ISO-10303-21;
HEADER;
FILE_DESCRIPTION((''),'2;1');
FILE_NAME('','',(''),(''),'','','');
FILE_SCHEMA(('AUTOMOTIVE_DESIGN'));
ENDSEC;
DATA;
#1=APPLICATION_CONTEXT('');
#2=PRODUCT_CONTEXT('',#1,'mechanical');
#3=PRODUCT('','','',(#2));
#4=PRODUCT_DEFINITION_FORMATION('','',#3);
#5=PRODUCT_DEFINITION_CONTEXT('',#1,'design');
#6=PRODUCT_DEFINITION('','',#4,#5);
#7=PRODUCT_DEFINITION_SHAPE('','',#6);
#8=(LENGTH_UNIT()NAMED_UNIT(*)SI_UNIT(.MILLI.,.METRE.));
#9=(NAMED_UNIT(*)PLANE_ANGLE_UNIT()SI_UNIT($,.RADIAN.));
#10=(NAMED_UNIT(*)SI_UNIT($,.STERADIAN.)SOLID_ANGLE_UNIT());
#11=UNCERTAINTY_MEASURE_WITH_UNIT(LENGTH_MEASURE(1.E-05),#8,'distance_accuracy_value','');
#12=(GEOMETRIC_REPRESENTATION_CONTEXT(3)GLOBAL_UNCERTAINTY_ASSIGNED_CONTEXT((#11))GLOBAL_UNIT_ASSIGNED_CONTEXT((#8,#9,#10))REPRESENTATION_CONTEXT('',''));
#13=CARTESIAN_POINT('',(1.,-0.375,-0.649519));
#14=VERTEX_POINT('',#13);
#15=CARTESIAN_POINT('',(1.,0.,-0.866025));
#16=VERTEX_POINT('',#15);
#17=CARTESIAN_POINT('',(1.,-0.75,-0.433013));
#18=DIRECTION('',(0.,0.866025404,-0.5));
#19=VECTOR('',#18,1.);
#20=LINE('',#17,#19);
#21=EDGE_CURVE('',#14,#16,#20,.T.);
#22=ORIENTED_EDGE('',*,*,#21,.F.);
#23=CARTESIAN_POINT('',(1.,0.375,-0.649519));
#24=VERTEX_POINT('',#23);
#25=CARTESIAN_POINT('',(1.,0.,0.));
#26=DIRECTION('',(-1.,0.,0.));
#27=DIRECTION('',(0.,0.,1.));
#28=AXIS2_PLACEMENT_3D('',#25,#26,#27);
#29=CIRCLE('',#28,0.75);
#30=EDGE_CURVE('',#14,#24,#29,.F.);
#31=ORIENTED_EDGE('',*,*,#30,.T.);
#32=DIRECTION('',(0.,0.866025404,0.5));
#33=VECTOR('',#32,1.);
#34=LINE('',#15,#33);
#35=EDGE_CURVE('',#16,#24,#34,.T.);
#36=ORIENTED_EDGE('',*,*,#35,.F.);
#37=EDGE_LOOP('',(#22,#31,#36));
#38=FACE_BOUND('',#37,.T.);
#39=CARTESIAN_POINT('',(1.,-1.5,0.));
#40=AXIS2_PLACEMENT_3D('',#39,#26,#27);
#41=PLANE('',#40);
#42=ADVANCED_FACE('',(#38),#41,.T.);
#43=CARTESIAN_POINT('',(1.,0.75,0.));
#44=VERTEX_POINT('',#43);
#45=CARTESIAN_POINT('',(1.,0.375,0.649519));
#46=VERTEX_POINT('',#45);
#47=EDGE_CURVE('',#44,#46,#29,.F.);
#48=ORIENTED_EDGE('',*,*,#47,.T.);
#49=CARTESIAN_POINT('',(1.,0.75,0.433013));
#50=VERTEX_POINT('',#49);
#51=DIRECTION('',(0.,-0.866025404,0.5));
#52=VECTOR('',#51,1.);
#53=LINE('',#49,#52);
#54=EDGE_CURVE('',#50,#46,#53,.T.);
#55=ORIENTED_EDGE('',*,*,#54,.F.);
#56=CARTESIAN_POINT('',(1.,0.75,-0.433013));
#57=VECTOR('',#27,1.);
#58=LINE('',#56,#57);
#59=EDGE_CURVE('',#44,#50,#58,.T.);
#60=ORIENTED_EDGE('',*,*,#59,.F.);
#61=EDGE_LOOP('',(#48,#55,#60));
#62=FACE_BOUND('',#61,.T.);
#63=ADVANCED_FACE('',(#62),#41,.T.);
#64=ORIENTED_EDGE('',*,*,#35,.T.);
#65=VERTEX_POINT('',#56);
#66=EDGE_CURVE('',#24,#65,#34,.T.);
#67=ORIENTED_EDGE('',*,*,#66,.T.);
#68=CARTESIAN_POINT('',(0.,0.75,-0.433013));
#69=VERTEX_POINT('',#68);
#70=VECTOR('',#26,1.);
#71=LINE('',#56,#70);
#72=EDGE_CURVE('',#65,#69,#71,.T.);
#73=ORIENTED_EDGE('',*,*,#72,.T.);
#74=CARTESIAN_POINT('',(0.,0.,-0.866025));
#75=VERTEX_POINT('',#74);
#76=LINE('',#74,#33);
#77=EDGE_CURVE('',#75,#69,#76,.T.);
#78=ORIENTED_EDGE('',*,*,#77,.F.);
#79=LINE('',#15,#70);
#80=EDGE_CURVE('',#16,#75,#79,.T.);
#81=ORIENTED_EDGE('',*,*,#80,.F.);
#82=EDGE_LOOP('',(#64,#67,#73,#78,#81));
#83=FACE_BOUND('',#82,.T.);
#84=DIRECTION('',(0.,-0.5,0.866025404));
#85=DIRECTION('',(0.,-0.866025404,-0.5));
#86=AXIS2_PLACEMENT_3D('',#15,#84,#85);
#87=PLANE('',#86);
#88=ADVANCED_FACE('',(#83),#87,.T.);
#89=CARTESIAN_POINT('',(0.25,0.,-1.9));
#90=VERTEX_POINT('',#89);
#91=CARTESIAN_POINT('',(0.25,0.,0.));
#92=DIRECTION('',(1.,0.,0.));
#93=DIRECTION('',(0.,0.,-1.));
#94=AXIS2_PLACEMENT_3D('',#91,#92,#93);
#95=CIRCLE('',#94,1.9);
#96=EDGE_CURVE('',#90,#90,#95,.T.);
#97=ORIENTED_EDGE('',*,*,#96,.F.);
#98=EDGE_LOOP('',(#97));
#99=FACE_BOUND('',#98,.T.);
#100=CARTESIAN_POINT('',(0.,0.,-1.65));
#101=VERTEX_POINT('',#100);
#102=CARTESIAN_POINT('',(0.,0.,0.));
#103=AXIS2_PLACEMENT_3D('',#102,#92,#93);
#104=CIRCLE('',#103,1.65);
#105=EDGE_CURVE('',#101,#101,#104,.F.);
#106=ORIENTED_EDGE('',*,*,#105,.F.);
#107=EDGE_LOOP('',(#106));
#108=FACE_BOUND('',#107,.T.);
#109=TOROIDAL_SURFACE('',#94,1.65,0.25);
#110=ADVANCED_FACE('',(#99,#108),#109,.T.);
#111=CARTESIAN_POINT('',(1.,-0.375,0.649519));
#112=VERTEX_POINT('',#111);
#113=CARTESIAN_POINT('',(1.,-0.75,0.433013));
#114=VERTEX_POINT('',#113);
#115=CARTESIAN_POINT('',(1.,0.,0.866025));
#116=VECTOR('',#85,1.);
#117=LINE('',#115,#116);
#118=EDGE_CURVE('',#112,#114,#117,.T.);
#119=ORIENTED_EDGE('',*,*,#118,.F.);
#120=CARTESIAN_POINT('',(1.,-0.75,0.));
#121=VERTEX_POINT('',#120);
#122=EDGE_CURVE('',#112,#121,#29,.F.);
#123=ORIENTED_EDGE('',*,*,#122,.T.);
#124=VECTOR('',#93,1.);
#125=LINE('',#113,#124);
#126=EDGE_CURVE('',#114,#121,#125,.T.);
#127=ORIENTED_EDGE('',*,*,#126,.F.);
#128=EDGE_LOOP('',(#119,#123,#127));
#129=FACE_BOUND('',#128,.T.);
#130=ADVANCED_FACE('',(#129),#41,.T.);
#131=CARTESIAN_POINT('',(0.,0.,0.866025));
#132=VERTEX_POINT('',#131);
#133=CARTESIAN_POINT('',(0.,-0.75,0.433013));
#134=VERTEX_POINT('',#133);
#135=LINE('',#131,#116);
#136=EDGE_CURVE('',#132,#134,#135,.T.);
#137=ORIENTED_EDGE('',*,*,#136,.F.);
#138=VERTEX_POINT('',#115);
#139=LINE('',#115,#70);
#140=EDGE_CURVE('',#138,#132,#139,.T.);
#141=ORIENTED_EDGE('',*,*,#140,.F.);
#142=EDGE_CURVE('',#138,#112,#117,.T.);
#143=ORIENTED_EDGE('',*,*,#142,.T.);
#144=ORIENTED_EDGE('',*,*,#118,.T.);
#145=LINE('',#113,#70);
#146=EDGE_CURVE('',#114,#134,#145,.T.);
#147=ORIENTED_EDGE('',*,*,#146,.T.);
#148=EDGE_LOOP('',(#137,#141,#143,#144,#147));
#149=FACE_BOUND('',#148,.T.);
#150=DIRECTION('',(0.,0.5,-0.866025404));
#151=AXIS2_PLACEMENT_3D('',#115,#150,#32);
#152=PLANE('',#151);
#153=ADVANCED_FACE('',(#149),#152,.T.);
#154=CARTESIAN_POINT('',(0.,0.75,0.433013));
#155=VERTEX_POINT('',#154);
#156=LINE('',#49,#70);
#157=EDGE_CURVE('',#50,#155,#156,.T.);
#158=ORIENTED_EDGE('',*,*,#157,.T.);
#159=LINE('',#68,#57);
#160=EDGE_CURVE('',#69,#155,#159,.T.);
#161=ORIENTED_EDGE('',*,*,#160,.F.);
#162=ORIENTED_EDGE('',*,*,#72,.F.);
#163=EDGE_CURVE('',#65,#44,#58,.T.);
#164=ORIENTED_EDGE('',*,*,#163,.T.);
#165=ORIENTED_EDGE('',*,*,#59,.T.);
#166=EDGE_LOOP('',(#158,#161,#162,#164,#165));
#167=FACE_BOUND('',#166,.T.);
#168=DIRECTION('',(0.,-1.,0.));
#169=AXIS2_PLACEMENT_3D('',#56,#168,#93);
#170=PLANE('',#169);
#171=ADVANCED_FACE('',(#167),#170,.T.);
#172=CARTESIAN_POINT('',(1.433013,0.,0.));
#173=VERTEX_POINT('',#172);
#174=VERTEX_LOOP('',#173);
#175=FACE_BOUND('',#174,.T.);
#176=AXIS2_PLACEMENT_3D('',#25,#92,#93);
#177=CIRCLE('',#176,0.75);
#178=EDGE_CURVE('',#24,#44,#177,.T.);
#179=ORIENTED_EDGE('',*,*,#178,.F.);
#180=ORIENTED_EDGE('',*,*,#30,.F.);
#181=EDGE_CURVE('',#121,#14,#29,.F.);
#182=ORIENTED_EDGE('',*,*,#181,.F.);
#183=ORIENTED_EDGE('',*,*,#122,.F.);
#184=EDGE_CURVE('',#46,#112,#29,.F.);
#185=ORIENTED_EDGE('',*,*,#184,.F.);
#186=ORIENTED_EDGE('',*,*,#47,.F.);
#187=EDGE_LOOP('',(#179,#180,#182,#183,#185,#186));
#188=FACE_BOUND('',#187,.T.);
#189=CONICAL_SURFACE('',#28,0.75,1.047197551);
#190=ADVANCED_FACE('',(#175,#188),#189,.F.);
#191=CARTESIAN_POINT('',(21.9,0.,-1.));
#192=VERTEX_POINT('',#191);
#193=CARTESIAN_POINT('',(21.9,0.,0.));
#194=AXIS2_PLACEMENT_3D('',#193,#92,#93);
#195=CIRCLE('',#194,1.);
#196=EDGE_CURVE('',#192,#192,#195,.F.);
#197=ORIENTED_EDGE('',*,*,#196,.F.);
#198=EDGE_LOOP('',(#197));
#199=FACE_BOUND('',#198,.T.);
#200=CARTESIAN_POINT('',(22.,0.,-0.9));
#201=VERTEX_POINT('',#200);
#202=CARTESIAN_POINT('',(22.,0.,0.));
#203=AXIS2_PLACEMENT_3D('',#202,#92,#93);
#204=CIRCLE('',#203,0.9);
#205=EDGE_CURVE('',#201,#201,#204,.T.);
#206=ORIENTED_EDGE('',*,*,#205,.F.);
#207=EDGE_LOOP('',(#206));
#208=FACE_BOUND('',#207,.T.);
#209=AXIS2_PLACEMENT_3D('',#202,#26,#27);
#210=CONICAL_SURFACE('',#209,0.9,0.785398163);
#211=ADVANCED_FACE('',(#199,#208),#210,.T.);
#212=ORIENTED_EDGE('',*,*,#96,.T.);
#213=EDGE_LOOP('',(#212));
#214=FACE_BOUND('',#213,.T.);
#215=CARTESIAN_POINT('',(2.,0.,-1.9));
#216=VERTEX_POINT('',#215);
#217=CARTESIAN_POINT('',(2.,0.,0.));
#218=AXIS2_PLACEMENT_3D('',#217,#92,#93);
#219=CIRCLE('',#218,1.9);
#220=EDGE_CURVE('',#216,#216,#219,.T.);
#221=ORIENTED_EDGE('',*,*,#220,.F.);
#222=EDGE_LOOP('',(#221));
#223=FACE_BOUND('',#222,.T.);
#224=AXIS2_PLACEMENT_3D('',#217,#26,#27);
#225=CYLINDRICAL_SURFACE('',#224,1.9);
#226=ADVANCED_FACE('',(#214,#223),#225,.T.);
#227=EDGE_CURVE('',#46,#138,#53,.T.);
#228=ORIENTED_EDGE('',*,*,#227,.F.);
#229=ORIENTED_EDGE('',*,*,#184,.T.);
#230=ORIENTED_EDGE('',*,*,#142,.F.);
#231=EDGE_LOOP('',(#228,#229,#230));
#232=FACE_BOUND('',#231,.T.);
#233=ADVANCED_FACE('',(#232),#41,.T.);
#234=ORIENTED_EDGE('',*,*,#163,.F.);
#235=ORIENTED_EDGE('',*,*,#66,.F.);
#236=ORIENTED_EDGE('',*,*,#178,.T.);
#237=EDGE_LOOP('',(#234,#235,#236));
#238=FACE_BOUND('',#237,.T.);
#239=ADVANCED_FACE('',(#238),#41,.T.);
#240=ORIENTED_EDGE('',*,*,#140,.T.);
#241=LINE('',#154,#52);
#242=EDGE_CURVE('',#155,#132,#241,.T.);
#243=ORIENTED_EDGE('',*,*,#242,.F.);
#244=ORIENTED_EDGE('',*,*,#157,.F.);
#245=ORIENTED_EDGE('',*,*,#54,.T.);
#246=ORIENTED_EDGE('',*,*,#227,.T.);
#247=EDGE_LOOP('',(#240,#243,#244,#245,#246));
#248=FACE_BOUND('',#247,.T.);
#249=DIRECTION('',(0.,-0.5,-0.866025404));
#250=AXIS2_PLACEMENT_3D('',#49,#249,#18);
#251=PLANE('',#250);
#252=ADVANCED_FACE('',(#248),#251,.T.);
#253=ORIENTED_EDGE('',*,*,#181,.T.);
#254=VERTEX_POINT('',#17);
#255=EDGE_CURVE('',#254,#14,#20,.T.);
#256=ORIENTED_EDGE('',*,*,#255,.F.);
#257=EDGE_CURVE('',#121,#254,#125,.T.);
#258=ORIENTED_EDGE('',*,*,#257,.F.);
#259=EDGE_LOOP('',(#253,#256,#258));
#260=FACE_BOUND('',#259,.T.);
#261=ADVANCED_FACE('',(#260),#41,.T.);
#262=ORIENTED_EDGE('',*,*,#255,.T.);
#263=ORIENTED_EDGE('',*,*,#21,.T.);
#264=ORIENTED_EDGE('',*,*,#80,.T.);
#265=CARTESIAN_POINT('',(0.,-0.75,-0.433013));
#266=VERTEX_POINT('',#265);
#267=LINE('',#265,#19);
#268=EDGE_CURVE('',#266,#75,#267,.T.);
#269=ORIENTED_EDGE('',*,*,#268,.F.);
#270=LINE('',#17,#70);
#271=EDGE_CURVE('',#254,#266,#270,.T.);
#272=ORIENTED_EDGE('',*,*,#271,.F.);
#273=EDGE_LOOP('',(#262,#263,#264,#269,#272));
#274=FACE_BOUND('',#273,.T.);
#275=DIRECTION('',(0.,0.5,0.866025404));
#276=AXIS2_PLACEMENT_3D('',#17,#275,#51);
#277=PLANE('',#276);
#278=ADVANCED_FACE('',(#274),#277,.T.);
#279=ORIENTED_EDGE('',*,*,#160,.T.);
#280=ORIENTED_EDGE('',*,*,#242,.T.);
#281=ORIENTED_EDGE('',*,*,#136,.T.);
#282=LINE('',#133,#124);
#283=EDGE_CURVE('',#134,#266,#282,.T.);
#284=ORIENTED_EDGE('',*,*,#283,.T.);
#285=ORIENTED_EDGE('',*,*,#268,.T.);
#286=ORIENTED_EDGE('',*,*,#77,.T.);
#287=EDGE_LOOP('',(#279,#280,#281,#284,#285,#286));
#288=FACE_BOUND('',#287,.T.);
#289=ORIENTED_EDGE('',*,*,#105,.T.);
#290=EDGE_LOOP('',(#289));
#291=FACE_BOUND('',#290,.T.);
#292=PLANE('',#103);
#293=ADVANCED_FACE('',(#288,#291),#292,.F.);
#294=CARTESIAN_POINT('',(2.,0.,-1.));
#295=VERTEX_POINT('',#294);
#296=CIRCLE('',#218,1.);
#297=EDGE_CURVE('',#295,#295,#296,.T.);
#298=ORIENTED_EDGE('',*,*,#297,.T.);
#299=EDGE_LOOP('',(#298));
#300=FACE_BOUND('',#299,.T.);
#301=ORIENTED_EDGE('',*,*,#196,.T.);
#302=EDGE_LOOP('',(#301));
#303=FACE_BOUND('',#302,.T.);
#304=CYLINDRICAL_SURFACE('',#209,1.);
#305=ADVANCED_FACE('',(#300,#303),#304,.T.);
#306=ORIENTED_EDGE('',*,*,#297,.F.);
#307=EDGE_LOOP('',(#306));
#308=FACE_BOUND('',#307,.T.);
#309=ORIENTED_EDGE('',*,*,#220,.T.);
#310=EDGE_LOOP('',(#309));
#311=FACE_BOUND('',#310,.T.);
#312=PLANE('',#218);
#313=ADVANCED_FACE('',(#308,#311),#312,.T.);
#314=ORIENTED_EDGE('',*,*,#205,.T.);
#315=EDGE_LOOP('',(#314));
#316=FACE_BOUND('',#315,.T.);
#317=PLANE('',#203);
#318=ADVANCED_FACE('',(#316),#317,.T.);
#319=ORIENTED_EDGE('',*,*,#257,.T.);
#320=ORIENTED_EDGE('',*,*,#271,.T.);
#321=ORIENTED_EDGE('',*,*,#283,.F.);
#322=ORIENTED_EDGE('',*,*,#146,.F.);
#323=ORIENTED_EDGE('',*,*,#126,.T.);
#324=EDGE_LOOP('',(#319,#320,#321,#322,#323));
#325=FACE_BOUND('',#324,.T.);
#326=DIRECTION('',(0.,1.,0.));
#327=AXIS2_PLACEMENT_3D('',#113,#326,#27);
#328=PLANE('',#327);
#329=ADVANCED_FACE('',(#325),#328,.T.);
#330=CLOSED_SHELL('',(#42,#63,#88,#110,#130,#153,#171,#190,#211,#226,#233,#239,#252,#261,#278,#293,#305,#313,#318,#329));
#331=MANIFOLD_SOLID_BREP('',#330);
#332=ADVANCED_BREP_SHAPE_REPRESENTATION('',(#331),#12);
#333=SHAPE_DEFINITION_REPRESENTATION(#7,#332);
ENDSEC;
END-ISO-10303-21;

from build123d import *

# Parameters (mm, degrees)
SKETCH1_R           = 1.9
BASEHEAD_DEPTH      = 2
SKETCH2_R           = 1
BASEBODY_DEPTH      = 20
HEXAGONSOCKET_DEPTH = 1
TOPFILLET_R         = 0.25
CHAMFER1_SIZE       = 0.1


with BuildPart() as part:
    # Sketch1 → BaseHead (new body)
    with BuildSketch(Plane(origin=(0, 0, 0), x_dir=(0, 0, -1), z_dir=(1, 0, 0))):
        Circle(SKETCH1_R)
    extrude(amount=BASEHEAD_DEPTH)

    # Sketch2 → BaseBody (add)
    with BuildSketch(Plane(origin=(2, 0, 0), x_dir=(0, 0, -1), z_dir=(1, 0, 0))):
        Circle(SKETCH2_R)
    extrude(amount=BASEBODY_DEPTH)

    # Sketch3 → HexagonSocket (cut)
    with BuildSketch(Plane(origin=(0, 0, 0), x_dir=(0, 0, -1), z_dir=(1, 0, 0))):
        Polygon((0.866025404, 0), (0.433012702, 0.75), (-0.433012702, 0.75), (-0.866025404, 0), (-0.433012702, -0.75), (0.433012702, -0.75), align=None)
    extrude(amount=HEXAGONSOCKET_DEPTH, mode=Mode.SUBTRACT)

    # Sketch4 → Cut-Revolve1 (revolve, cut)
    with BuildSketch(Plane(origin=(-4.19613823, 0.75, 0), x_dir=(-1, 0, 0), z_dir=(0, 0, 1))):
        Polygon((-5.19613823, 1.5), (-5.629150931, 0.75), (-5.19613823, 0.75), align=None)
    revolve(axis=Axis((0.838992387, 0, 0), (-1, 0, 0)), mode=Mode.SUBTRACT)

    # TopFillet
    topfillet_edges = [part.edges().sort_by_distance(p)[0] for p in [
        (0, 0, 1.9),
    ]]
    fillet(topfillet_edges, radius=TOPFILLET_R)

    # Chamfer1
    chamfer1_edges = [part.edges().sort_by_distance(p)[0] for p in [
        (22, 0, 1),
    ]]
    chamfer(chamfer1_edges, length=CHAMFER1_SIZE)


solid = part.part
